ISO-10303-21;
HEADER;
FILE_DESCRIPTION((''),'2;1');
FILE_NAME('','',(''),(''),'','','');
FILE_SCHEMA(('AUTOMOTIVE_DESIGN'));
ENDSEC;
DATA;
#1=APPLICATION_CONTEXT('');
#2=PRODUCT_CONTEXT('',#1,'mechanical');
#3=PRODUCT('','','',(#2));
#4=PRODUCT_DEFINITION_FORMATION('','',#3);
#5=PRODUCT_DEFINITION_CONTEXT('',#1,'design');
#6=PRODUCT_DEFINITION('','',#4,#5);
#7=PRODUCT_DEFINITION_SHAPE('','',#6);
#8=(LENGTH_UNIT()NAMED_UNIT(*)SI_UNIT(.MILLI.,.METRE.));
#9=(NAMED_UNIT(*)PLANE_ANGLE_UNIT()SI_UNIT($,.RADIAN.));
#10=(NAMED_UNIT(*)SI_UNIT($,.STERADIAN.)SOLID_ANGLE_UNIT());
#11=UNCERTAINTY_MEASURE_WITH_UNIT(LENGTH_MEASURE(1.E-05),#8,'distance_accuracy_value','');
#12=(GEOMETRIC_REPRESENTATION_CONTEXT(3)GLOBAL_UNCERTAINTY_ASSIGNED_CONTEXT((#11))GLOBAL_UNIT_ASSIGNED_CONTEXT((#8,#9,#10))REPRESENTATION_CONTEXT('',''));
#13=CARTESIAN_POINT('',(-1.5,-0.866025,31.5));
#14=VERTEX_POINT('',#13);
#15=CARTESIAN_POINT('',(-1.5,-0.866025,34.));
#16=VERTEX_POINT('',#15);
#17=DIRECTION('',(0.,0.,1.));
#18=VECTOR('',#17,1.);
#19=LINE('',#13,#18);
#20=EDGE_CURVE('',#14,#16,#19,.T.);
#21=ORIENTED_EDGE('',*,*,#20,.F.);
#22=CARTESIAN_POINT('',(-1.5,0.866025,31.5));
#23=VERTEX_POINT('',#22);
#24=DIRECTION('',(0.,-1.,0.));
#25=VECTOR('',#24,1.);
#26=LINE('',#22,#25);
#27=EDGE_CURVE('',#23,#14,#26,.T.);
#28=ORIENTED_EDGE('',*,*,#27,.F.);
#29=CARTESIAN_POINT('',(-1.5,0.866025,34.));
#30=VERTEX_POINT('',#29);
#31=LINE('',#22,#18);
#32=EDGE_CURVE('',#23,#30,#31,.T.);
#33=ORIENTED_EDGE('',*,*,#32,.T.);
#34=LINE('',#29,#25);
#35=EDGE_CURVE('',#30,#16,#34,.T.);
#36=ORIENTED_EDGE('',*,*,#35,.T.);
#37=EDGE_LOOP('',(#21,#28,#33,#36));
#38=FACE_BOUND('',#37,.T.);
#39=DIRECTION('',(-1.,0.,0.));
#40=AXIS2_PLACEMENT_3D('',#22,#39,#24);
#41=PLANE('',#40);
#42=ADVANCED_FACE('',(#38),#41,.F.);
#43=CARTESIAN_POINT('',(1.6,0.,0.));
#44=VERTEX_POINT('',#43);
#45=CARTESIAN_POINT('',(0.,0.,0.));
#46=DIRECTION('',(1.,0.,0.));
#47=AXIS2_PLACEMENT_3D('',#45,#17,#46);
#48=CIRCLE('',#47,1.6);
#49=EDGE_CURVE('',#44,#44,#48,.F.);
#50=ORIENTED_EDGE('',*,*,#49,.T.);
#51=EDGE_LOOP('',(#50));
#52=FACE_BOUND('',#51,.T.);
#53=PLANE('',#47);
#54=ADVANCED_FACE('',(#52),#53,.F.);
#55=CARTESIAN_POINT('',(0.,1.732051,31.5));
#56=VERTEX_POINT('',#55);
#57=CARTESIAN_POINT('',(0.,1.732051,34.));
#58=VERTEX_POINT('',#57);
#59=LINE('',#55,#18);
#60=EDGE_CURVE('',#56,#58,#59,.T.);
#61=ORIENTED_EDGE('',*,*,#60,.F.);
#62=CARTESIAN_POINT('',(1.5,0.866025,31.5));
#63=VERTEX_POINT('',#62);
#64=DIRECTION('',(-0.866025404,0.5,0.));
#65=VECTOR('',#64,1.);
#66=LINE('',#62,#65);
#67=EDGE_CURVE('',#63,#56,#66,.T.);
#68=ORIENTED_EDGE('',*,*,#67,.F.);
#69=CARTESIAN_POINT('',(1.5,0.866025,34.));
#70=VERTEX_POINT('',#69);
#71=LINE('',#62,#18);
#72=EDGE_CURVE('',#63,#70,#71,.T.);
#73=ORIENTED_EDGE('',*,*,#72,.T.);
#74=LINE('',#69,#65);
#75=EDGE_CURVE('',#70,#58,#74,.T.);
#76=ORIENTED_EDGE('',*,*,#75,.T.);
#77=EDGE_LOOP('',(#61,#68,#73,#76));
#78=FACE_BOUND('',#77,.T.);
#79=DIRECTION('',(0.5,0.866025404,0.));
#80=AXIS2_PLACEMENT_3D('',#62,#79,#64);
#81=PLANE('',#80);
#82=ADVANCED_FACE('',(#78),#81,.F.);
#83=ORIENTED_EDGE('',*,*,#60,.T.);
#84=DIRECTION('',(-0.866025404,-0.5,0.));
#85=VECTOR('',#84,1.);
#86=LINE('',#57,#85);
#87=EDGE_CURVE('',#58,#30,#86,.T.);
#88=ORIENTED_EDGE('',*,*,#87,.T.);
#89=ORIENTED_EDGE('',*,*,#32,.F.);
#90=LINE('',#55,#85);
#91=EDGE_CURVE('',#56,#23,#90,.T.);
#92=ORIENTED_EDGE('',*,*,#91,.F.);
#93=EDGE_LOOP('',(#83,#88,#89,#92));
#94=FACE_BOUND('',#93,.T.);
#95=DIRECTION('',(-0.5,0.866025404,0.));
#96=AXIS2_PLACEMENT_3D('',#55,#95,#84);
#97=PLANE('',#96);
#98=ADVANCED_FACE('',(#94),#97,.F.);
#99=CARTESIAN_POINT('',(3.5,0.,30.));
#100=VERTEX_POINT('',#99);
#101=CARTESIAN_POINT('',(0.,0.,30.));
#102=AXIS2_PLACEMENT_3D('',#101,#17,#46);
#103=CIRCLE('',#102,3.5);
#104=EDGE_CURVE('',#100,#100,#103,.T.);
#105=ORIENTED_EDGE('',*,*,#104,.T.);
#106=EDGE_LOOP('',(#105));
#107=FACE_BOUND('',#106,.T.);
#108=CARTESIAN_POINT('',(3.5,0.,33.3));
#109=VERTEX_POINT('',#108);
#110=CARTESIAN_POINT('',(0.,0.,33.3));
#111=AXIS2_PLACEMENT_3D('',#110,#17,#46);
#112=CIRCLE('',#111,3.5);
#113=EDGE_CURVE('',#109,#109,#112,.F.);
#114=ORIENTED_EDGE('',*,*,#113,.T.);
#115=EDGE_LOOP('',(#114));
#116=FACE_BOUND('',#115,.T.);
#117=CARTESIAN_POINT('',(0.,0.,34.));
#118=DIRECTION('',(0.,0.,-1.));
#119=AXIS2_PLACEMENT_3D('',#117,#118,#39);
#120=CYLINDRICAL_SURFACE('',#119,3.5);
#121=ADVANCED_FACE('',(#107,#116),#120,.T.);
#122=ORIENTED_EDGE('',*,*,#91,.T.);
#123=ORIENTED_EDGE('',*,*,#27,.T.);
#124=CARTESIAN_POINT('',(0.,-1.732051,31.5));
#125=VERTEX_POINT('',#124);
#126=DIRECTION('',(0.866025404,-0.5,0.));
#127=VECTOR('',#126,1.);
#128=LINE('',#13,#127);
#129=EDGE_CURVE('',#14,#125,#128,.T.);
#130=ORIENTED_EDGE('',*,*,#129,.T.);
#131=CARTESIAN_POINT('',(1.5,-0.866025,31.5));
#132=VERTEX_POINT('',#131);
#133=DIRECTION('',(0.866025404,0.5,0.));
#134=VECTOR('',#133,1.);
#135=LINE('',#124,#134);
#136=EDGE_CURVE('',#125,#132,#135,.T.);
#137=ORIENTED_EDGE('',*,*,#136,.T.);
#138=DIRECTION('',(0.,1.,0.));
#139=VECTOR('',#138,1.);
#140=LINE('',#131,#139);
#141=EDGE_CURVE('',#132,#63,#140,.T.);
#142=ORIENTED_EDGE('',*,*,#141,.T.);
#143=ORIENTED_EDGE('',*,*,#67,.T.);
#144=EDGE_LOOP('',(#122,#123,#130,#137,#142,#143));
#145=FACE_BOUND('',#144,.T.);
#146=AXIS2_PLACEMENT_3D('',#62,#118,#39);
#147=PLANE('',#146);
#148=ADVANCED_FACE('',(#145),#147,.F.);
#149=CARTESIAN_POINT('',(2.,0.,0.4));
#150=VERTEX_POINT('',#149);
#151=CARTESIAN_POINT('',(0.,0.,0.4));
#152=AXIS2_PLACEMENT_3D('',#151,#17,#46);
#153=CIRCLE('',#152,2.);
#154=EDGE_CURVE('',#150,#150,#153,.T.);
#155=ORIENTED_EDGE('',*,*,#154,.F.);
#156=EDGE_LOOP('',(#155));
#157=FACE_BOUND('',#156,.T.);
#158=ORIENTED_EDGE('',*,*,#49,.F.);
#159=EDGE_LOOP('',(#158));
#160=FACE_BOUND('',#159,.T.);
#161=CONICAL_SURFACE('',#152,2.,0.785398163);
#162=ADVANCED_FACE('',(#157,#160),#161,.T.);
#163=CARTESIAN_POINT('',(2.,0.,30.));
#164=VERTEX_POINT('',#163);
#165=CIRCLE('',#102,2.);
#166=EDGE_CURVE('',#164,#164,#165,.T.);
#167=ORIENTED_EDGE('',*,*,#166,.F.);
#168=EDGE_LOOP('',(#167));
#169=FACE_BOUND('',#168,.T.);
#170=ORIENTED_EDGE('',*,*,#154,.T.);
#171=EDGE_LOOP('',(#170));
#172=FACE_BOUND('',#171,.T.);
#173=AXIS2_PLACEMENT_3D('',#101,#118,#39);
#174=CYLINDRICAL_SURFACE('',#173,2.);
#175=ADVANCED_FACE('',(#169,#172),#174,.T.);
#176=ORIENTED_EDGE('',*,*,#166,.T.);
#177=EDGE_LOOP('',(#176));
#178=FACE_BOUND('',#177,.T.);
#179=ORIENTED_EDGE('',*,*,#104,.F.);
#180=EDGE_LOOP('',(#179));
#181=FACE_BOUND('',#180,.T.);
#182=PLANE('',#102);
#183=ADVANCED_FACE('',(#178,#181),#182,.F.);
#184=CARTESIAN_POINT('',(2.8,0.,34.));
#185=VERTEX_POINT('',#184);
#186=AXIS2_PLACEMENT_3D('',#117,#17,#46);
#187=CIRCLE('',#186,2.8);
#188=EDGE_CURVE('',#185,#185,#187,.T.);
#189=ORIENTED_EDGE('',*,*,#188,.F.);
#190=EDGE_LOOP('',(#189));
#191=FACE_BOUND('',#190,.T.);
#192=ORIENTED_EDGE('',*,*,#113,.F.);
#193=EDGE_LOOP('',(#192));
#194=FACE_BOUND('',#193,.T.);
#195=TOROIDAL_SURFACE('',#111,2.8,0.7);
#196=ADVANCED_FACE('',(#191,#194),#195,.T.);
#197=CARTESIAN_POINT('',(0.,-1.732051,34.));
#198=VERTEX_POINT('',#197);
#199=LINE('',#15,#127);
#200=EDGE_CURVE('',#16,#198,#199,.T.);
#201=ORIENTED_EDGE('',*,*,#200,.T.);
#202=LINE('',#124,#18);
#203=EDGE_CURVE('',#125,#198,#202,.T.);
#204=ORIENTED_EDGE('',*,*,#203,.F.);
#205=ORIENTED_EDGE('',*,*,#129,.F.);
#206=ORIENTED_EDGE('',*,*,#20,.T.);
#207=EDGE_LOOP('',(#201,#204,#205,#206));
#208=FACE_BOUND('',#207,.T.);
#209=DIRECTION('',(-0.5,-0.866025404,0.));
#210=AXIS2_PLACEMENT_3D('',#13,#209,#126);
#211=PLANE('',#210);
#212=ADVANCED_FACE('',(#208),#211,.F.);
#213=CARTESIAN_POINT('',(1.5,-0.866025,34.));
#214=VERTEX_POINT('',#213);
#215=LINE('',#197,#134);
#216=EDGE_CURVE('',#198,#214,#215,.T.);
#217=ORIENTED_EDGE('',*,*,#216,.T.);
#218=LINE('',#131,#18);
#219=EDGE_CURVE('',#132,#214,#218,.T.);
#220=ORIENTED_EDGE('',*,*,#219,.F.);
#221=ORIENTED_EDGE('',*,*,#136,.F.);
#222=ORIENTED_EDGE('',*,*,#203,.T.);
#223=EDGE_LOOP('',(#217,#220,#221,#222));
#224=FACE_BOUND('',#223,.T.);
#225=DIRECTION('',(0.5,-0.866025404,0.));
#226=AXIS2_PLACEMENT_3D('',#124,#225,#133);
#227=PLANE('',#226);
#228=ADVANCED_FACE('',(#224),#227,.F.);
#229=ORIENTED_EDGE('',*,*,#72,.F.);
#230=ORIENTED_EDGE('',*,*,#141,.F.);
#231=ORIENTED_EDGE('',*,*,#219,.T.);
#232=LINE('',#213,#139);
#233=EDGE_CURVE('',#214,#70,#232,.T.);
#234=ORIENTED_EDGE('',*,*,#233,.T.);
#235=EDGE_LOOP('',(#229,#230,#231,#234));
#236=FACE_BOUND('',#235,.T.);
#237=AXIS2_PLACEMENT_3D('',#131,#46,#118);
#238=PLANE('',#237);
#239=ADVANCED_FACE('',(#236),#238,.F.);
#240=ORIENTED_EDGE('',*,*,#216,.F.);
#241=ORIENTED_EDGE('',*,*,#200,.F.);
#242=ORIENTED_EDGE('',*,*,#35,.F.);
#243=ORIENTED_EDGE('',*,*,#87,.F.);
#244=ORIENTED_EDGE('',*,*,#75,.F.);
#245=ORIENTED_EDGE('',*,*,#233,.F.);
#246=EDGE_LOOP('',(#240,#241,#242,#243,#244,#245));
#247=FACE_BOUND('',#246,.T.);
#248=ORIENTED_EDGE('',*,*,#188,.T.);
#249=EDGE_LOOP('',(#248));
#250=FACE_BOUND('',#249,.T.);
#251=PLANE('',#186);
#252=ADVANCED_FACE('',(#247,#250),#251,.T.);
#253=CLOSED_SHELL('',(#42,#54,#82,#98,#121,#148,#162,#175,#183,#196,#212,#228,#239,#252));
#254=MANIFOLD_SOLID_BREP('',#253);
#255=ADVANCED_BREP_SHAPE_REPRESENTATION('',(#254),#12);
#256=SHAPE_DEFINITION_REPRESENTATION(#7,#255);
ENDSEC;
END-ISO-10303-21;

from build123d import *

# Parameters (mm, degrees)
ESQUISSE1_R             = 2
BASE_EXTRUSION_DEPTH    = 30
ESQUISSE2_R             = 3.5
BOSS_EXTRU_1_DEPTH      = 4
CHANFREIN1_SIZE         = 0.4
CONG_1_R                = 0.7
ENL_V_MAT_EXTRU_1_DEPTH = 2.5


with BuildPart() as part:
    # Esquisse1 → Base-Extrusion (new body)
    with BuildSketch(Plane.XY):
        Circle(ESQUISSE1_R)
    extrude(amount=BASE_EXTRUSION_DEPTH)

    # Esquisse2 → Boss.-Extru.1 (add)
    with BuildSketch(Plane.XY.offset(30)):
        Circle(ESQUISSE2_R)
    extrude(amount=BOSS_EXTRU_1_DEPTH)

    # Chanfrein1
    chanfrein1_edges = [part.edges().sort_by_distance(p)[0] for p in [
        (-2, 0, 0),
    ]]
    chamfer(chanfrein1_edges, length=CHANFREIN1_SIZE)

    # Congé1
    cong_1_edges = [part.edges().sort_by_distance(p)[0] for p in [
        (-3.5, 0, 34),
    ]]
    fillet(cong_1_edges, radius=CONG_1_R)

    # Esquisse3 → Enlèv. mat.-Extru.1 (cut)
    with BuildSketch(Plane.XY.offset(34)):
        Polygon((0, 1.732050808), (-1.5, 0.866025404), (-1.5, -0.866025404), (0, -1.732050808), (1.5, -0.866025404), (1.5, 0.866025404), align=None)
    extrude(amount=-ENL_V_MAT_EXTRU_1_DEPTH, mode=Mode.SUBTRACT)


solid = part.part
